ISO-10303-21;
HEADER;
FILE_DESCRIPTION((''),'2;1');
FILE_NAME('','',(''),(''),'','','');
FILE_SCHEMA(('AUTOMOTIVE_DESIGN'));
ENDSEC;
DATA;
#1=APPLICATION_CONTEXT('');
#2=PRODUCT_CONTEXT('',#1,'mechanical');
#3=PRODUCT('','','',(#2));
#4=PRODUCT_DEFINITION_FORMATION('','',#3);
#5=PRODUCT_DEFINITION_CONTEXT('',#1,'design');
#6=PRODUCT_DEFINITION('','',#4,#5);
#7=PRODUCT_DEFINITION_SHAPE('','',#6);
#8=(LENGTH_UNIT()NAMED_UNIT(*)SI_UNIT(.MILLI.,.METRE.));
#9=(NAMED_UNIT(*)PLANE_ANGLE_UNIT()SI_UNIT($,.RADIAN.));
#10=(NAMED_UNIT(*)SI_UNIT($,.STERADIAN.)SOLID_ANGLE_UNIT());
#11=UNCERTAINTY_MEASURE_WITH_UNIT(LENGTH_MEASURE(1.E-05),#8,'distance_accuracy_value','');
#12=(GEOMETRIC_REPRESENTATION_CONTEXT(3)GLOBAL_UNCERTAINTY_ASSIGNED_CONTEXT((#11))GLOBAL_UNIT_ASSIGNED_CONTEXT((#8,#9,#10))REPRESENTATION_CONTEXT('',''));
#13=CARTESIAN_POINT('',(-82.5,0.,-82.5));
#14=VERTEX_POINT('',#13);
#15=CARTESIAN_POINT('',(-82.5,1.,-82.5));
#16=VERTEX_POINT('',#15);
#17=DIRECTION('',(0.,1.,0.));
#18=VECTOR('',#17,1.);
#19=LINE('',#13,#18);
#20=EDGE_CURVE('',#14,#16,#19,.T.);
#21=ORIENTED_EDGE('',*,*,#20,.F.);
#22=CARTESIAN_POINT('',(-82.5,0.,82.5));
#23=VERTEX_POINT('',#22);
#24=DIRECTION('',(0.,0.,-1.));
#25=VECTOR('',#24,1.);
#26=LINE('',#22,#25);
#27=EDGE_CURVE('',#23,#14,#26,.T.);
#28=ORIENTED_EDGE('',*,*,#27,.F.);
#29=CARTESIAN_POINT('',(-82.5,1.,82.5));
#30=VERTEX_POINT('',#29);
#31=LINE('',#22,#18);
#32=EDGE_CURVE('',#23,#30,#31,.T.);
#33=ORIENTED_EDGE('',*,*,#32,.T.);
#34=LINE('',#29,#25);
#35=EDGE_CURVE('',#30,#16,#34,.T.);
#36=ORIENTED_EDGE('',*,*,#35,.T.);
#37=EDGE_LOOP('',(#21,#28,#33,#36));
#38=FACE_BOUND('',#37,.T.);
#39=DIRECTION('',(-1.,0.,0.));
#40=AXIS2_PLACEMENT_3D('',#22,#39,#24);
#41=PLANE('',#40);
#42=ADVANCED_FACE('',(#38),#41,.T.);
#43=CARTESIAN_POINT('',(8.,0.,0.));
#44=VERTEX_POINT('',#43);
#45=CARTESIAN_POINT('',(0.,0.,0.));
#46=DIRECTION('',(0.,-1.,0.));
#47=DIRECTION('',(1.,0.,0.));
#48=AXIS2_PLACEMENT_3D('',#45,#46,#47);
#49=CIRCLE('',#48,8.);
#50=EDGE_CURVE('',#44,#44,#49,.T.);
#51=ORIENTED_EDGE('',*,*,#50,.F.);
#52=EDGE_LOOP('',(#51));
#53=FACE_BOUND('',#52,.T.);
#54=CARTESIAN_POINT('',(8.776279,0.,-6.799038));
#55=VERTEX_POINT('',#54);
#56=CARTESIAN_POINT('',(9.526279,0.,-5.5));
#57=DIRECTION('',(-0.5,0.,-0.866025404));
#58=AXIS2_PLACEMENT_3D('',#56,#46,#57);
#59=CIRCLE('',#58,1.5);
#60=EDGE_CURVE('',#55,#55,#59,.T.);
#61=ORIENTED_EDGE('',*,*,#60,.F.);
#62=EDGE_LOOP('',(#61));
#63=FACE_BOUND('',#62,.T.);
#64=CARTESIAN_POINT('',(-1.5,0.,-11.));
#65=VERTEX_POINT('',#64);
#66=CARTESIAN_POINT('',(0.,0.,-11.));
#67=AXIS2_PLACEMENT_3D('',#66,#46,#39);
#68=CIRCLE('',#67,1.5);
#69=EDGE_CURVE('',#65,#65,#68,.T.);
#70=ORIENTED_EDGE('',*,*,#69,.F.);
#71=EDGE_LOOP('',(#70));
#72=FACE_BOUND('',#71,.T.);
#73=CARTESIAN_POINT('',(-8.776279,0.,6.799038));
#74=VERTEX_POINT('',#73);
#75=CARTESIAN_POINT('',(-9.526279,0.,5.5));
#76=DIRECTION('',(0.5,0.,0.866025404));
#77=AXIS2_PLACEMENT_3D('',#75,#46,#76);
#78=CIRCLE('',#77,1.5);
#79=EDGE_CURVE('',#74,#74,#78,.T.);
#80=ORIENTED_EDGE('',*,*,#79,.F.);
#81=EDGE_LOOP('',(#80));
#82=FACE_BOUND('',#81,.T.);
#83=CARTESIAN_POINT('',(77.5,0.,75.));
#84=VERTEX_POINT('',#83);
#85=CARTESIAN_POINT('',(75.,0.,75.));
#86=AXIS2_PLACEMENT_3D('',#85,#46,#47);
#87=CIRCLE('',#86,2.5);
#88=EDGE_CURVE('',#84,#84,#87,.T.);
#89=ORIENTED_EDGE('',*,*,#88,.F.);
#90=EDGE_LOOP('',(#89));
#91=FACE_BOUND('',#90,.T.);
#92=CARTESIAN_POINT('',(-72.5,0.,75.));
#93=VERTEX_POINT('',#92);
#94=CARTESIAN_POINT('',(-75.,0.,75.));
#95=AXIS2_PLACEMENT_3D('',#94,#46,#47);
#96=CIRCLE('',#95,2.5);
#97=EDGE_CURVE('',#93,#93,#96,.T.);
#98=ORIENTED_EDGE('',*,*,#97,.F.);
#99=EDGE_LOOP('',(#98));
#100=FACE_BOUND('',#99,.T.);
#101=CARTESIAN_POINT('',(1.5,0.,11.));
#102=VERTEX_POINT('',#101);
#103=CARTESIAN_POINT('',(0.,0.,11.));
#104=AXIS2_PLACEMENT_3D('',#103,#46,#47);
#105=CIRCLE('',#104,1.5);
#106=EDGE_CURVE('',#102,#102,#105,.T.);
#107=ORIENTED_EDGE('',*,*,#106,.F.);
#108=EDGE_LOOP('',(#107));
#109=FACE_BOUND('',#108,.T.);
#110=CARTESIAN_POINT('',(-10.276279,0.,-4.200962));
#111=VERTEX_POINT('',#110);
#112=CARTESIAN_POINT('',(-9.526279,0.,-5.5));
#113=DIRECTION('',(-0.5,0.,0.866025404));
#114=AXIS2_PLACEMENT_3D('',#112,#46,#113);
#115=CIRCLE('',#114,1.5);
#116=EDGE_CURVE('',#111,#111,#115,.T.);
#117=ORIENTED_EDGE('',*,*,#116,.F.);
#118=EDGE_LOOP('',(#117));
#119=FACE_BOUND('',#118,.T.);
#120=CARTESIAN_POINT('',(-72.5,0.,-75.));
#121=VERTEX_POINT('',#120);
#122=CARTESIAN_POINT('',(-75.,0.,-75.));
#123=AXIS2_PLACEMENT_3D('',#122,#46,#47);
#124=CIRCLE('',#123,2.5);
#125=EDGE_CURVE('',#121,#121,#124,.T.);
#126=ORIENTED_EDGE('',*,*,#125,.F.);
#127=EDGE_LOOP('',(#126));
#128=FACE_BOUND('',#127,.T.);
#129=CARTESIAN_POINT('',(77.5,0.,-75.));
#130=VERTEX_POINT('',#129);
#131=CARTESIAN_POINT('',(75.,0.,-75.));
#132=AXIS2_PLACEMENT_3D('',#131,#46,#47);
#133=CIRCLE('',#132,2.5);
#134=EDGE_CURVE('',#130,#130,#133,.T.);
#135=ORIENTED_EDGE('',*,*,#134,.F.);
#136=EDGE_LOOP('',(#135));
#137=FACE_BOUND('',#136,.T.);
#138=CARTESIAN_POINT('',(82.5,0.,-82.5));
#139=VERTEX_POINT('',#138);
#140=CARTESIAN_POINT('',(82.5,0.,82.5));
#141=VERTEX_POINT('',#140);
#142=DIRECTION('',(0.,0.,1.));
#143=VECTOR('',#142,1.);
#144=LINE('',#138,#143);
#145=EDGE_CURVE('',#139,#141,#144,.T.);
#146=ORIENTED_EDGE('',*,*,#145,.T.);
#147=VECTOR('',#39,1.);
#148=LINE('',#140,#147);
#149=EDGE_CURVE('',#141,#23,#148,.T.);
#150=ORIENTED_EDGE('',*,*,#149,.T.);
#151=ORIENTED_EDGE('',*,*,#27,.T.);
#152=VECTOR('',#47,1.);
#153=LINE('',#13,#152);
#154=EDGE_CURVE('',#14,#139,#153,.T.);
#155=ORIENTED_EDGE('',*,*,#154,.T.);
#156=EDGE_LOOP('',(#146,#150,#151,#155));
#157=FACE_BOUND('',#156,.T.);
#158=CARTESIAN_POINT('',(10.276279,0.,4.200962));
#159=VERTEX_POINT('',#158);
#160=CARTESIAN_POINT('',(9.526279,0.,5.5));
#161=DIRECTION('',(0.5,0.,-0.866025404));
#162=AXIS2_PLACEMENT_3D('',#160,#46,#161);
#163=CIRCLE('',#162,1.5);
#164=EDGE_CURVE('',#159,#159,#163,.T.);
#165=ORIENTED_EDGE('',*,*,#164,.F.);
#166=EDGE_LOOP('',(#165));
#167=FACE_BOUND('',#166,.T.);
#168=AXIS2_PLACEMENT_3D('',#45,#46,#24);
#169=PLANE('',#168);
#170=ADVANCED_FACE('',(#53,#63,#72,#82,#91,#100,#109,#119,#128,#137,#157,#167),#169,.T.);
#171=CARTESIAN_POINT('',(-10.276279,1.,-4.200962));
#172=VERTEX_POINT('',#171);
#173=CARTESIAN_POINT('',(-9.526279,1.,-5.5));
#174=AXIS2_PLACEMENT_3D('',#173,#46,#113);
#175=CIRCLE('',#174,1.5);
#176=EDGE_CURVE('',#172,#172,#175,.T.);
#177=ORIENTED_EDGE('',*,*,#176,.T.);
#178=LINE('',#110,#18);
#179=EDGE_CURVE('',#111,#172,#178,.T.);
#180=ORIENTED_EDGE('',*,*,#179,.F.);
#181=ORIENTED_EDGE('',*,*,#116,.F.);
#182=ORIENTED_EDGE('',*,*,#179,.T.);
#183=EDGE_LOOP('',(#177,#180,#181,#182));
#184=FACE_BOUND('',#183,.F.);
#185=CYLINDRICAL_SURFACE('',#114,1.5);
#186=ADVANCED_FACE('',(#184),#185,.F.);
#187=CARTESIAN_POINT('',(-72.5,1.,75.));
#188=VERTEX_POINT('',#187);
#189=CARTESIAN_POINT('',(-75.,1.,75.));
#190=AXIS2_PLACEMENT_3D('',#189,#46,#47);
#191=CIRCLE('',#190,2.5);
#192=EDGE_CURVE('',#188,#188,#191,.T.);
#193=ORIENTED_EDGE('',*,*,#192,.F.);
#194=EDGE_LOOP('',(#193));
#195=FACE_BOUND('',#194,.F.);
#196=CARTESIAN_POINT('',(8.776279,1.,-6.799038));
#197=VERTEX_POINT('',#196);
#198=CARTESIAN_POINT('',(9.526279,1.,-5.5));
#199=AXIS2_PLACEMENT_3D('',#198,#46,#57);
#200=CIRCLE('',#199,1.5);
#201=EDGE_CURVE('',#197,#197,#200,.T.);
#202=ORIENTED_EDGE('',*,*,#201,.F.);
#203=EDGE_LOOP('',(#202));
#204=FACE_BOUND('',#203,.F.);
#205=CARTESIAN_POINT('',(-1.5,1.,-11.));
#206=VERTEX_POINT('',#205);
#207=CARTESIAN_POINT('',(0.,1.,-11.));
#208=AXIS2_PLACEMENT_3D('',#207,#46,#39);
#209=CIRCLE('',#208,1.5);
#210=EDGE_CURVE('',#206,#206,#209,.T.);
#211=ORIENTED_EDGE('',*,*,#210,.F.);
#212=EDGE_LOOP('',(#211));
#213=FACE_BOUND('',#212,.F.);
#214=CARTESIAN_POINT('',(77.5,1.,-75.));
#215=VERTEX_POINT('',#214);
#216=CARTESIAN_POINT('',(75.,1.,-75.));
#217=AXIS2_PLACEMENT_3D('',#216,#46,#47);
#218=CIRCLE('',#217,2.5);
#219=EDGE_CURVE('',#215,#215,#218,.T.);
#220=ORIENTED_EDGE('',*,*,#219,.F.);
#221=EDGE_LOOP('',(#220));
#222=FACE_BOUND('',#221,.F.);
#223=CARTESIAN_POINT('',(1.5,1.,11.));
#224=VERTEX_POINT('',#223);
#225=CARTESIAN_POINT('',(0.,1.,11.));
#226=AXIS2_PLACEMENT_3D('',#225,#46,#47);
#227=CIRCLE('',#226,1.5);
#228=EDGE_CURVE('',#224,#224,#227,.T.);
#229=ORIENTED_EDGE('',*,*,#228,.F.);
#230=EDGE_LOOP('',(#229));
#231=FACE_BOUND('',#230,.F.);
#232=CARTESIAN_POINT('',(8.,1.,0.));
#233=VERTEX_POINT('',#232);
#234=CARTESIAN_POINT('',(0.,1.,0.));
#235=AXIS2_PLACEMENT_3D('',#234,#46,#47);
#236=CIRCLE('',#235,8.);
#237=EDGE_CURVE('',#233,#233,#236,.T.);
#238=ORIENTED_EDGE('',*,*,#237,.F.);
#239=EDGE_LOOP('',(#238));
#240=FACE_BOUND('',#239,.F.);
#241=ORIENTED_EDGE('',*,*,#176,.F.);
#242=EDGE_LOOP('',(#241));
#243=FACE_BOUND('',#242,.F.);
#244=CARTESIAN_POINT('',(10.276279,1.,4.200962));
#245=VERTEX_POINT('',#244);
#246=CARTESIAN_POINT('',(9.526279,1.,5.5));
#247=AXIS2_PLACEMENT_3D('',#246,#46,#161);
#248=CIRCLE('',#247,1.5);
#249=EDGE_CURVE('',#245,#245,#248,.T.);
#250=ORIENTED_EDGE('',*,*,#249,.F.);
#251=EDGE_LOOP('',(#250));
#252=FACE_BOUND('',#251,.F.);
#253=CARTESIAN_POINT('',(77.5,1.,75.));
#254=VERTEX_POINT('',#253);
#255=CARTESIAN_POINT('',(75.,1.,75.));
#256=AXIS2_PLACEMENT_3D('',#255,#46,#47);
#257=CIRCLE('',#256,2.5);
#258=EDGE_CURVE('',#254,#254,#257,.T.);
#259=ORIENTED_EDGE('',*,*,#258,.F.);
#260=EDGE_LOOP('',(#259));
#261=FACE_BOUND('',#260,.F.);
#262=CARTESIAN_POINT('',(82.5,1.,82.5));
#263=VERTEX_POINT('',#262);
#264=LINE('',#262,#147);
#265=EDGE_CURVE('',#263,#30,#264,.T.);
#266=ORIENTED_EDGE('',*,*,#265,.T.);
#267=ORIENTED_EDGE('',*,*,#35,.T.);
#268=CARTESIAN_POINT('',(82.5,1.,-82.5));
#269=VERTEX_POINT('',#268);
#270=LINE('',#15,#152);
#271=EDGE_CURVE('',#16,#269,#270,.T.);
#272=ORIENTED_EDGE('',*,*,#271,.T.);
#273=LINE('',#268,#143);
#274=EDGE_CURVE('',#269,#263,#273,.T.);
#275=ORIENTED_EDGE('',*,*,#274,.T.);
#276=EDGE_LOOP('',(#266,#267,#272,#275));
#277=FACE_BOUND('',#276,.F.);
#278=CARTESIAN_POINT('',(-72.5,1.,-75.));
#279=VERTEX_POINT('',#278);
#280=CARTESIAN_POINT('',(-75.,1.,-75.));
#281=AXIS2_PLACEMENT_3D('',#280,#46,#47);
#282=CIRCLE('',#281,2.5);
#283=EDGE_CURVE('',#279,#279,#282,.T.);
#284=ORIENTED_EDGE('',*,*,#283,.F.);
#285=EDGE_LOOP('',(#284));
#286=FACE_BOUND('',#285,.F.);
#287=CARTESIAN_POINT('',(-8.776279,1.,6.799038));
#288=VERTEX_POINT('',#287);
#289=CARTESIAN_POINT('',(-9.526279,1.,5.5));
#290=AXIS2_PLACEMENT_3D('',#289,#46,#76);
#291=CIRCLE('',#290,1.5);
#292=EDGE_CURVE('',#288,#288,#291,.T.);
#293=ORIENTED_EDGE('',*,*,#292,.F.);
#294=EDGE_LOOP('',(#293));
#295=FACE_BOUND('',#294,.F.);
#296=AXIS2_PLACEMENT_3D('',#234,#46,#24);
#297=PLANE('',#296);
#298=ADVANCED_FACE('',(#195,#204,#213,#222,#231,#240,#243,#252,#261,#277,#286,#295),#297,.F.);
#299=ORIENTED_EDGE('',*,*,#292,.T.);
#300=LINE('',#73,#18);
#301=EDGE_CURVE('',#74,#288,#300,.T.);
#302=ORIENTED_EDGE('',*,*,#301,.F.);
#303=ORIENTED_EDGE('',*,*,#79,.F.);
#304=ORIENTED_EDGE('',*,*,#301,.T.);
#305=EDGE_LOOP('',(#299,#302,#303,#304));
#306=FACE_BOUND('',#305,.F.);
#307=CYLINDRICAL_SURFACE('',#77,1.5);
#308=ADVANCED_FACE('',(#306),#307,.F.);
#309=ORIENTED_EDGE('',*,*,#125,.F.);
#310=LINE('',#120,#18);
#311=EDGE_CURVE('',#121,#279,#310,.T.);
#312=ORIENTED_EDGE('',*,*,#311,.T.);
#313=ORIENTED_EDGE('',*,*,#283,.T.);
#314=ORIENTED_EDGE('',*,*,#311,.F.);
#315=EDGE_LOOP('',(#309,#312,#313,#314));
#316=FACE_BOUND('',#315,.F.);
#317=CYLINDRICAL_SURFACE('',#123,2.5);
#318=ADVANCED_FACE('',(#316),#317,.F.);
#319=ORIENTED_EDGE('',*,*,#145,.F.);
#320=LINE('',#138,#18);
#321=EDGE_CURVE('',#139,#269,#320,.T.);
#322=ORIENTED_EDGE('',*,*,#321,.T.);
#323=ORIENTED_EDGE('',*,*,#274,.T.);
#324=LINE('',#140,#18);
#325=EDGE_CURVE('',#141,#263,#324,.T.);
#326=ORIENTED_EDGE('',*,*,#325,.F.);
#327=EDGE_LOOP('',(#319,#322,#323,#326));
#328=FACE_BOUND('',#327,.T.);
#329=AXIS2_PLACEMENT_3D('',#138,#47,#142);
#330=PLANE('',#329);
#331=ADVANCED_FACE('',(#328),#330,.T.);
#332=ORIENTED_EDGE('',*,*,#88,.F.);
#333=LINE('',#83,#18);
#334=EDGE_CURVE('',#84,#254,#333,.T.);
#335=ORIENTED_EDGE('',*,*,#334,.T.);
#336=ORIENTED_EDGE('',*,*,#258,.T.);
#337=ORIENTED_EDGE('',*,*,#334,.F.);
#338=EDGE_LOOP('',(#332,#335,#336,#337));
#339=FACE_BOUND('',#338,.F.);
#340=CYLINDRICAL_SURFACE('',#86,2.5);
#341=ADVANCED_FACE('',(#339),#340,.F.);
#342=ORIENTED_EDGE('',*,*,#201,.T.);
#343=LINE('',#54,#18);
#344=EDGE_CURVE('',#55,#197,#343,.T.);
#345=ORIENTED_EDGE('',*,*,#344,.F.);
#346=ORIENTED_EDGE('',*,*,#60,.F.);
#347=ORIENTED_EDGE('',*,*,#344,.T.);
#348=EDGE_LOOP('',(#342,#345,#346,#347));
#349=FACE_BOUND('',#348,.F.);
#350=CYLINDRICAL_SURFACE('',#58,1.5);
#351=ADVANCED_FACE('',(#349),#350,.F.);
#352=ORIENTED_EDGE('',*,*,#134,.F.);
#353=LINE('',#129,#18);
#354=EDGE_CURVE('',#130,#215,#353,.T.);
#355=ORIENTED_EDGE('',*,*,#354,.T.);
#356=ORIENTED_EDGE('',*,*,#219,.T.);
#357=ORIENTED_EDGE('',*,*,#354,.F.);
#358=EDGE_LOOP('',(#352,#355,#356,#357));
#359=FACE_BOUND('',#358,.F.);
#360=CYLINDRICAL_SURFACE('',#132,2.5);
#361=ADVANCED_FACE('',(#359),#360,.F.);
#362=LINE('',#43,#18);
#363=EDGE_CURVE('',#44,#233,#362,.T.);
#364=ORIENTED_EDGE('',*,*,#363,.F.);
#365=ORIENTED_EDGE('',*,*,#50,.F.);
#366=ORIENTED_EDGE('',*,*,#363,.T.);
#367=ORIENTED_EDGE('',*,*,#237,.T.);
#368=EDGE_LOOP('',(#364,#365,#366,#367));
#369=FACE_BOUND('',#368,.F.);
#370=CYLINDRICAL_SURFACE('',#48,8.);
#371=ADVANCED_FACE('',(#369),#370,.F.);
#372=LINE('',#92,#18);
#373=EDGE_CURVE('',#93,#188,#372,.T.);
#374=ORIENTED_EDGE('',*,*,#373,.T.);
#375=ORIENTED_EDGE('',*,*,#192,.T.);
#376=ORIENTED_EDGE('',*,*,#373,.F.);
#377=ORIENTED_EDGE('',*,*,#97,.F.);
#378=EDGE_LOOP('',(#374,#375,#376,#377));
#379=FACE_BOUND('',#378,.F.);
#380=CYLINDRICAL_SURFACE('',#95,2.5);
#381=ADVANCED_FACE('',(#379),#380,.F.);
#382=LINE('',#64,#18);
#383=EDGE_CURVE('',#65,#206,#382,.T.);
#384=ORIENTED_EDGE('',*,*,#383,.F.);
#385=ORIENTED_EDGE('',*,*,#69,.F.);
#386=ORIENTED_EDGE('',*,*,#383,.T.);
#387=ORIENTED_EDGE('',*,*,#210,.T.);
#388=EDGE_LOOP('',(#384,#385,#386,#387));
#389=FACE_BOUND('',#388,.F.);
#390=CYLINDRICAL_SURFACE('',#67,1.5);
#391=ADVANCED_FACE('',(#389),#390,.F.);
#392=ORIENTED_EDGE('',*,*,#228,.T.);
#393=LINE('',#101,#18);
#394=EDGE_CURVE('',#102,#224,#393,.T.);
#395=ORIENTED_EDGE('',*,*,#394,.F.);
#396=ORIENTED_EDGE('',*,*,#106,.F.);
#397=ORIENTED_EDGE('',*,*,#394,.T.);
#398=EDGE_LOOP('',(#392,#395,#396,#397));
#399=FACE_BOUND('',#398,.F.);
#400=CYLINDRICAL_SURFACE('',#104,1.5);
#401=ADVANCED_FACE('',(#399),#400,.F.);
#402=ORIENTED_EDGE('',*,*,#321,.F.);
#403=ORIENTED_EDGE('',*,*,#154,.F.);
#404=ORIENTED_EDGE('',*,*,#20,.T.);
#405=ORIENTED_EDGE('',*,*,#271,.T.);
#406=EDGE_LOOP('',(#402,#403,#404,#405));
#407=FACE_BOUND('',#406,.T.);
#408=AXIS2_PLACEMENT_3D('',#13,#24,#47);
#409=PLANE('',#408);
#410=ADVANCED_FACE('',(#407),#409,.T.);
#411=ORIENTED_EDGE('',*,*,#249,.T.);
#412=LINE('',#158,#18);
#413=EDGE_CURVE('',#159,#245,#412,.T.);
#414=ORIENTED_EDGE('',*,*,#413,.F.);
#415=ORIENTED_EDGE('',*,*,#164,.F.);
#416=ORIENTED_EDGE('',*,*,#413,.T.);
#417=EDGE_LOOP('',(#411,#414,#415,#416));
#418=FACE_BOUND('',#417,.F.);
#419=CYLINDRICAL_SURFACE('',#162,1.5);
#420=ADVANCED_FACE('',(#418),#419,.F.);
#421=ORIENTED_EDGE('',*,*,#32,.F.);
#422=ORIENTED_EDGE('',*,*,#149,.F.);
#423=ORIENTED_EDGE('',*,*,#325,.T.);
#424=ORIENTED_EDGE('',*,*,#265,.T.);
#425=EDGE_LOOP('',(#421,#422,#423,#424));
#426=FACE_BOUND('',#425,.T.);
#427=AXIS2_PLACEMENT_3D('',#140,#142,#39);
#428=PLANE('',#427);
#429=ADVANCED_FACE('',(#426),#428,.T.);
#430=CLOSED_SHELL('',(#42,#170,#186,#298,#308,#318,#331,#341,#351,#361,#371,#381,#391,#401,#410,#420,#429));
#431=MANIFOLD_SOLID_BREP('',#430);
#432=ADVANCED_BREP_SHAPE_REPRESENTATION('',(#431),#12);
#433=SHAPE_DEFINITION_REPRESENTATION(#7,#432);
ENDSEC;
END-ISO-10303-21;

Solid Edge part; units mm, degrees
sketch "Sketch1" plane through (0, 0, 0) normal (0, -1, 0) x (1, 0, 0)
  line L0 (-82.5, -82.5) -> (82.5, -82.5)
  line L1 (82.5, -82.5) -> (82.5, 82.5)
  line L2 (82.5, 82.5) -> (-82.5, 82.5)
  line L3 (-82.5, 82.5) -> (-82.5, -82.5)
  circle A0 centre (0, 0) radius 2
  dimension "D1" = 165
extrude "Protrusion1" add sketch "Sketch1" against normal blind 1
sketch "Sketch2" plane through (0, 0, 0) normal (0, -1, 0) x (1, 0, 0)
  circle A0 centre (0, 0) radius 8
extrude "Cutout1" cut sketch "Sketch2" against normal through all
sketch "Sketch3" plane through (0, 0, 0) normal (0, -1, 0) x (1, 0, 0)
  circle A0 centre (-75, 75) radius 2.5
  circle A1 centre (75, 75) radius 2.5
  circle A2 centre (75, -75) radius 2.5
  circle A3 centre (-75, -75) radius 2.5
  dimension "D1" = 165
extrude "Cutout2" cut sketch "Sketch3" against normal through all
sketch "Sketch4" plane through (0, 0, 0) normal (0, -1, 0) x (1, 0, 0)
  circle A0 centre (0, 11) radius 1.5
extrude "Cutout3" cut sketch "Sketch4" against normal through all
pattern_circular "Pattern1" count 6 over 360 about axis through (0, 0, 0) along (0, 1, 0) of "Cutout3"
properties material "Aluminum, 1060"
